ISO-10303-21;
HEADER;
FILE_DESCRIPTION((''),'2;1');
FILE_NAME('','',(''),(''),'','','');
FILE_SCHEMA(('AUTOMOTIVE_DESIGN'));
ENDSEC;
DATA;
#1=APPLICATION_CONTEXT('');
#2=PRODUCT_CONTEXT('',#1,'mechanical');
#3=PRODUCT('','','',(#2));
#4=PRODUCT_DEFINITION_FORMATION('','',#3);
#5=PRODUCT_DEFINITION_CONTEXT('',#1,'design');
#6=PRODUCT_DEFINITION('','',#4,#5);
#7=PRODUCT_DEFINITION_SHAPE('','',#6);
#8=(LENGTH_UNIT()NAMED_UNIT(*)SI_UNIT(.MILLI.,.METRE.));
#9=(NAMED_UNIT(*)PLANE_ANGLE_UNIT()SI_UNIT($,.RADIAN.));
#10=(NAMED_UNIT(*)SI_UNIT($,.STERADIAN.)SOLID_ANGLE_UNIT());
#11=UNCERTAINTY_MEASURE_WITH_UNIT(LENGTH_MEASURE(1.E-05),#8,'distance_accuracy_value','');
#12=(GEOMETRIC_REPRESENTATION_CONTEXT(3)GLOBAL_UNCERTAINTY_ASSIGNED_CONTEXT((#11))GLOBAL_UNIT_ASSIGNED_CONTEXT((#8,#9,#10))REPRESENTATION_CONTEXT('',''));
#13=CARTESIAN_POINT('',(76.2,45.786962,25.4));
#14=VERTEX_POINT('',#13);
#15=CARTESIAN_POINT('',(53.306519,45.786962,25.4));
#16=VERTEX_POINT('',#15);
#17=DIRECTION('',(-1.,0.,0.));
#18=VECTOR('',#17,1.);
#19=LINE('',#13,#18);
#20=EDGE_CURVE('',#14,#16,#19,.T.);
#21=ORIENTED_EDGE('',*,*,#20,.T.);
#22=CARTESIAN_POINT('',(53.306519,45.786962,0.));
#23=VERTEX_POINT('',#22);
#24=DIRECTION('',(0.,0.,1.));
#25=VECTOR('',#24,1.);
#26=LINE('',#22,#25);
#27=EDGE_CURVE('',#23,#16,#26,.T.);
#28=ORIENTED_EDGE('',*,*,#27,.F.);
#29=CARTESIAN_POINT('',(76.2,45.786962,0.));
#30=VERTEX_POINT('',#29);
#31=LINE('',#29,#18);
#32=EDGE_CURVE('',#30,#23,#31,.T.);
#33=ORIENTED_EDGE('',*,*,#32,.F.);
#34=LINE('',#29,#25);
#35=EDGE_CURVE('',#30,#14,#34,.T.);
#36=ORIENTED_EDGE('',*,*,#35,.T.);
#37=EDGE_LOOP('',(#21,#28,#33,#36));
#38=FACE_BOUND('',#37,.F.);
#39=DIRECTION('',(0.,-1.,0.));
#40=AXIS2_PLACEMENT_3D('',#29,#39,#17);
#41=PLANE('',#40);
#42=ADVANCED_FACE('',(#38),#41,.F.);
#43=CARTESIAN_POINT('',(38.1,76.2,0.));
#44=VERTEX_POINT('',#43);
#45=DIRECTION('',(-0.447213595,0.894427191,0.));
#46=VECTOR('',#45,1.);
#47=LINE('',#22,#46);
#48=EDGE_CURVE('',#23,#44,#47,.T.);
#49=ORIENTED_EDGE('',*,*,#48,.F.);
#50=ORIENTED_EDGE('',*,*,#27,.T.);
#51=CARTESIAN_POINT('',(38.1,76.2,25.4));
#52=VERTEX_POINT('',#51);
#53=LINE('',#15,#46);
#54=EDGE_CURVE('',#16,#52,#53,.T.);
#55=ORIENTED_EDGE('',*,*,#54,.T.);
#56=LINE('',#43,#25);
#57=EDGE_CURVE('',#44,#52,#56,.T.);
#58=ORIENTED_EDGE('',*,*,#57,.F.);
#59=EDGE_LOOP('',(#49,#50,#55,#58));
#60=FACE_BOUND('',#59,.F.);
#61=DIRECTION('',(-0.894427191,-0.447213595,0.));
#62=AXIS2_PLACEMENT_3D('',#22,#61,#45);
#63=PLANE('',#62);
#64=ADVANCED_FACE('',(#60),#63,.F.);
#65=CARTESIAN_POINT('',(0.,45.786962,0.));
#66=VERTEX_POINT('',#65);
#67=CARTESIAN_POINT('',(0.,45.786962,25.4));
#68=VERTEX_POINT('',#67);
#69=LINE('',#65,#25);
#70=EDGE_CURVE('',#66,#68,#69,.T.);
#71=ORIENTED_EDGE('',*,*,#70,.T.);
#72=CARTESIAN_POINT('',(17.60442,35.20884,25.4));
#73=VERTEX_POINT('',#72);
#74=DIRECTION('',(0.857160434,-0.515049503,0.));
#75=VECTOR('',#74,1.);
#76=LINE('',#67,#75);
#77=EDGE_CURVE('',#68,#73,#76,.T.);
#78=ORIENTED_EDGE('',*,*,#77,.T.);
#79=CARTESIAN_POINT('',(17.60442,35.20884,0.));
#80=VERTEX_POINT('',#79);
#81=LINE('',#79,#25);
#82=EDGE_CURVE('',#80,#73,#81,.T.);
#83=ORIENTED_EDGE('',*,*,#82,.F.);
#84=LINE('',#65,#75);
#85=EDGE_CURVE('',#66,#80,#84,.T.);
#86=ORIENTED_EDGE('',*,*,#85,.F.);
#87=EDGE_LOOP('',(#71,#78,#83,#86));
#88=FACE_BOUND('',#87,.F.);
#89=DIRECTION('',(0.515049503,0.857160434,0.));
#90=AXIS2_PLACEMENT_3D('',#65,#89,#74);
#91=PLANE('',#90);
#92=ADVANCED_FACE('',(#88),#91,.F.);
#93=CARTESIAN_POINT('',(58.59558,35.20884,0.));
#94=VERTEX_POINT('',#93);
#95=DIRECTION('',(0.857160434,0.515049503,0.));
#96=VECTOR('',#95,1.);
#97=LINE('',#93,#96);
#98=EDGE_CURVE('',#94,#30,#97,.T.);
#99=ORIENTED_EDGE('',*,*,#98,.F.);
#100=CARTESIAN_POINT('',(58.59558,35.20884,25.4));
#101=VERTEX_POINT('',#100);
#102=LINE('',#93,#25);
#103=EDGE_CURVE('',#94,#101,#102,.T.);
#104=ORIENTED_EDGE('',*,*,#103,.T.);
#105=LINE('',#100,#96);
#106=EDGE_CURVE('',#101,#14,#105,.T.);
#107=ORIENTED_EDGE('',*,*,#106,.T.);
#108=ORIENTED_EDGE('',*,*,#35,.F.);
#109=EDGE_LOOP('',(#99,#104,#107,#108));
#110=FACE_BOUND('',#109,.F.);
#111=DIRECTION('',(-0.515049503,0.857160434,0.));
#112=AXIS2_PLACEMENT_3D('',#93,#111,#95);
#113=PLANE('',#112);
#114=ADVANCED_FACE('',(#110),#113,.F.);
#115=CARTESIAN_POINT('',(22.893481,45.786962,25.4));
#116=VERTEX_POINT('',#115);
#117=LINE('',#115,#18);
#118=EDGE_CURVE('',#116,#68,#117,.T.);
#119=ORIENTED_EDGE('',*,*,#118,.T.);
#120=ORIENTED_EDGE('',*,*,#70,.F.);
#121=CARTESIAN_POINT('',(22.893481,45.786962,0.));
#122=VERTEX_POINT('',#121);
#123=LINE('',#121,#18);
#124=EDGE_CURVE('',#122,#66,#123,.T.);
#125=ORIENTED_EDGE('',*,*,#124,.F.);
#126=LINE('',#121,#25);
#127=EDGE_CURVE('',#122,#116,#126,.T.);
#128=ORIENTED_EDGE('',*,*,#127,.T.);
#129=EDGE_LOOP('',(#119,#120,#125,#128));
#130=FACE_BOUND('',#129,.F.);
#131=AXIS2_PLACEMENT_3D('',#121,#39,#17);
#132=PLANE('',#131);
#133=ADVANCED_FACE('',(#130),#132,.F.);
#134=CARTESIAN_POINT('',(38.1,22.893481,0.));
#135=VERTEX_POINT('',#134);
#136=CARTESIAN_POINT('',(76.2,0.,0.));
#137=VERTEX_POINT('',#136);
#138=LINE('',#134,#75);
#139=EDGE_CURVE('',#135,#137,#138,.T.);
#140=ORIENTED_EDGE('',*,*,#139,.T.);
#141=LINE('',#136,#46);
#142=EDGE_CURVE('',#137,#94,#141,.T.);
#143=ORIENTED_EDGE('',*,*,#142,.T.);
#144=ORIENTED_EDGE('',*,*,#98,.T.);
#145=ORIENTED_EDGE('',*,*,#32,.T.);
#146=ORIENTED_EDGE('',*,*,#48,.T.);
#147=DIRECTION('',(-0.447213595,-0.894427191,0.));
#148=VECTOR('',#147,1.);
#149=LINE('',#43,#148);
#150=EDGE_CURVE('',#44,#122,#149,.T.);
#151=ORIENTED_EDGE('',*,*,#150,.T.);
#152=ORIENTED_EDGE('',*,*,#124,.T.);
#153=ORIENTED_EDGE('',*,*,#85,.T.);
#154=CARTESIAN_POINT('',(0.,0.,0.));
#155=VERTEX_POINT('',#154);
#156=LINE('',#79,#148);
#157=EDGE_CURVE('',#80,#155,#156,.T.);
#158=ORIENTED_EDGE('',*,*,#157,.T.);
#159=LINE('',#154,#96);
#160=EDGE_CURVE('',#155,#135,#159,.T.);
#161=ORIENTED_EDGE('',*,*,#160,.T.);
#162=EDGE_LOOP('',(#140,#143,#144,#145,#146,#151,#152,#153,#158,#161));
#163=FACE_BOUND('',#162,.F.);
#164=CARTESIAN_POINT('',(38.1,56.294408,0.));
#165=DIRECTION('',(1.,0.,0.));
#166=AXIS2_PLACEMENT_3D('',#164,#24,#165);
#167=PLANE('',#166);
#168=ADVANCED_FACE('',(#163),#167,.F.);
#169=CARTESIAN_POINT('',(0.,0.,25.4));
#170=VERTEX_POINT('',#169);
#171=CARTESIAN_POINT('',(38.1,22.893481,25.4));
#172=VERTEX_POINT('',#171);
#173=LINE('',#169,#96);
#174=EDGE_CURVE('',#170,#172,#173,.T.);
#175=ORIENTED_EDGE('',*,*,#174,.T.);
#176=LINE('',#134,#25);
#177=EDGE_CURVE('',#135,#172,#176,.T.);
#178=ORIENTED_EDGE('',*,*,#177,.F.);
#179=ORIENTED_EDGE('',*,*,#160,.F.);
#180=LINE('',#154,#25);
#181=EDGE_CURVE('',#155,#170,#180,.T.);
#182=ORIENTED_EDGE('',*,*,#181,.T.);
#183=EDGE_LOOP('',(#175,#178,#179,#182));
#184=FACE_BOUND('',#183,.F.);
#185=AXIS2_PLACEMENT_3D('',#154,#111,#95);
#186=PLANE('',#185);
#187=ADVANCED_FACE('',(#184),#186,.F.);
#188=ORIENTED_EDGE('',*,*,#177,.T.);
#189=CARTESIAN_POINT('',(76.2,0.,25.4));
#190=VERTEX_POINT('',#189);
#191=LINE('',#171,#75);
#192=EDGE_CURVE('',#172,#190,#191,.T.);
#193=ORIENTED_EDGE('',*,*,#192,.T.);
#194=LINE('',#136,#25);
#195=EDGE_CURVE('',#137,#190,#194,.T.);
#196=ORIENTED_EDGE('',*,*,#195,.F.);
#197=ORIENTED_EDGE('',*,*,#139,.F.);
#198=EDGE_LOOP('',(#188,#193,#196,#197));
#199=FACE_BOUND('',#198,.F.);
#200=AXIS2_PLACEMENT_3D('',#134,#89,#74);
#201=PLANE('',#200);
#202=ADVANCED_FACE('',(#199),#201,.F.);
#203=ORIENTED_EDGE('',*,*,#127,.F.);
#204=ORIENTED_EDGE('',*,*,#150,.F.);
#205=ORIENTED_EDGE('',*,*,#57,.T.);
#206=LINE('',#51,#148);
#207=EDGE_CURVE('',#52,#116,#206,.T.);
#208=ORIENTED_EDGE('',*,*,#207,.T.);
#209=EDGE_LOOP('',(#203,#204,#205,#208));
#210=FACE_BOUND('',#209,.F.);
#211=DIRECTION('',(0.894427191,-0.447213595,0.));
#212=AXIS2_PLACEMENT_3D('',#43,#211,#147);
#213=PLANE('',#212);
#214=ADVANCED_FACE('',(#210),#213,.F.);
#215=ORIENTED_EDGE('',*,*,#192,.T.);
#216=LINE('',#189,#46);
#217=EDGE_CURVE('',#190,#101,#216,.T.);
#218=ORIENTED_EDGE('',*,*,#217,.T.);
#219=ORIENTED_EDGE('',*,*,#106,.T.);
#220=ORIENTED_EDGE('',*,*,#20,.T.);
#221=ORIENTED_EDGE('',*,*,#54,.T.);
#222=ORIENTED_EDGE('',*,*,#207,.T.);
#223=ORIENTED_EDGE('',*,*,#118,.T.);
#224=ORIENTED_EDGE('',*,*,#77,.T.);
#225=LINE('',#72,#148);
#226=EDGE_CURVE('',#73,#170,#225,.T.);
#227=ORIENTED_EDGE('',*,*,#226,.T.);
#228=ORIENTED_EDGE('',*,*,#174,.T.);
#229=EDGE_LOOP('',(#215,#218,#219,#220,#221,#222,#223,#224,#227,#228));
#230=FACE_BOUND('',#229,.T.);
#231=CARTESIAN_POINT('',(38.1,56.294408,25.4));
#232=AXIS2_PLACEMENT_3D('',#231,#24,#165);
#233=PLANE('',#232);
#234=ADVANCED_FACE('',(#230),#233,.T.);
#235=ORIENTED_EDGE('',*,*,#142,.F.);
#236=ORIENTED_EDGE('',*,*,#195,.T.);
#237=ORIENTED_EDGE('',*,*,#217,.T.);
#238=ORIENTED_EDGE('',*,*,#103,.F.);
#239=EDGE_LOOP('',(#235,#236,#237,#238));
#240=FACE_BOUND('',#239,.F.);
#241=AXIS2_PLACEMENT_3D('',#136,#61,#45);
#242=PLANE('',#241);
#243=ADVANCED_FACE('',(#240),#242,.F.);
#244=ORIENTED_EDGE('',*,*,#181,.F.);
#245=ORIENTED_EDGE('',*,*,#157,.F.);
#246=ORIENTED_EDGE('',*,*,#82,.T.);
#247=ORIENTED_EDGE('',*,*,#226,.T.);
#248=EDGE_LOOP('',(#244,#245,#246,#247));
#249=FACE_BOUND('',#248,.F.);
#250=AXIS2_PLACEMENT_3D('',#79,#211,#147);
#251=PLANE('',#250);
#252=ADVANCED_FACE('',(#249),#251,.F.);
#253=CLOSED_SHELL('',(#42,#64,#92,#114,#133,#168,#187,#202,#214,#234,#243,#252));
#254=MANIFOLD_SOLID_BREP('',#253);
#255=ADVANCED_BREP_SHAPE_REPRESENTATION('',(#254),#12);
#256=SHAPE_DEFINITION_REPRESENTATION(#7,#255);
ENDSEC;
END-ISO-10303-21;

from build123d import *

# Parameters (mm, degrees)
F1_DEPTH = 25.4


with BuildPart() as f1:
    # F0 (on Top) → F1 (new body)
    with BuildSketch(Plane.XY):
        Polygon((38.1, 76.2), (22.8934809566, 45.7869619131), (53.3065190434, 45.7869619131), align=None)
        Polygon((22.8934809566, 45.7869619131), (0, 45.7869619131), (17.6044199078, 35.2088398157), align=None)
        Polygon((17.6044199078, 35.2088398157), (0, 0), (38.1, 22.8934809566), align=None)
        Polygon((38.1, 22.8934809566), (76.2, 0), (58.5955800922, 35.2088398157), align=None)
        Polygon((58.5955800922, 35.2088398157), (76.2, 45.7869619131), (53.3065190434, 45.7869619131), align=None)
        Polygon((17.6044199078, 35.2088398157), (38.1, 22.8934809566), (58.5955800922, 35.2088398157), (53.3065190434, 45.7869619131), (22.8934809566, 45.7869619131), align=None)
    extrude(amount=F1_DEPTH)


solid = f1.part
